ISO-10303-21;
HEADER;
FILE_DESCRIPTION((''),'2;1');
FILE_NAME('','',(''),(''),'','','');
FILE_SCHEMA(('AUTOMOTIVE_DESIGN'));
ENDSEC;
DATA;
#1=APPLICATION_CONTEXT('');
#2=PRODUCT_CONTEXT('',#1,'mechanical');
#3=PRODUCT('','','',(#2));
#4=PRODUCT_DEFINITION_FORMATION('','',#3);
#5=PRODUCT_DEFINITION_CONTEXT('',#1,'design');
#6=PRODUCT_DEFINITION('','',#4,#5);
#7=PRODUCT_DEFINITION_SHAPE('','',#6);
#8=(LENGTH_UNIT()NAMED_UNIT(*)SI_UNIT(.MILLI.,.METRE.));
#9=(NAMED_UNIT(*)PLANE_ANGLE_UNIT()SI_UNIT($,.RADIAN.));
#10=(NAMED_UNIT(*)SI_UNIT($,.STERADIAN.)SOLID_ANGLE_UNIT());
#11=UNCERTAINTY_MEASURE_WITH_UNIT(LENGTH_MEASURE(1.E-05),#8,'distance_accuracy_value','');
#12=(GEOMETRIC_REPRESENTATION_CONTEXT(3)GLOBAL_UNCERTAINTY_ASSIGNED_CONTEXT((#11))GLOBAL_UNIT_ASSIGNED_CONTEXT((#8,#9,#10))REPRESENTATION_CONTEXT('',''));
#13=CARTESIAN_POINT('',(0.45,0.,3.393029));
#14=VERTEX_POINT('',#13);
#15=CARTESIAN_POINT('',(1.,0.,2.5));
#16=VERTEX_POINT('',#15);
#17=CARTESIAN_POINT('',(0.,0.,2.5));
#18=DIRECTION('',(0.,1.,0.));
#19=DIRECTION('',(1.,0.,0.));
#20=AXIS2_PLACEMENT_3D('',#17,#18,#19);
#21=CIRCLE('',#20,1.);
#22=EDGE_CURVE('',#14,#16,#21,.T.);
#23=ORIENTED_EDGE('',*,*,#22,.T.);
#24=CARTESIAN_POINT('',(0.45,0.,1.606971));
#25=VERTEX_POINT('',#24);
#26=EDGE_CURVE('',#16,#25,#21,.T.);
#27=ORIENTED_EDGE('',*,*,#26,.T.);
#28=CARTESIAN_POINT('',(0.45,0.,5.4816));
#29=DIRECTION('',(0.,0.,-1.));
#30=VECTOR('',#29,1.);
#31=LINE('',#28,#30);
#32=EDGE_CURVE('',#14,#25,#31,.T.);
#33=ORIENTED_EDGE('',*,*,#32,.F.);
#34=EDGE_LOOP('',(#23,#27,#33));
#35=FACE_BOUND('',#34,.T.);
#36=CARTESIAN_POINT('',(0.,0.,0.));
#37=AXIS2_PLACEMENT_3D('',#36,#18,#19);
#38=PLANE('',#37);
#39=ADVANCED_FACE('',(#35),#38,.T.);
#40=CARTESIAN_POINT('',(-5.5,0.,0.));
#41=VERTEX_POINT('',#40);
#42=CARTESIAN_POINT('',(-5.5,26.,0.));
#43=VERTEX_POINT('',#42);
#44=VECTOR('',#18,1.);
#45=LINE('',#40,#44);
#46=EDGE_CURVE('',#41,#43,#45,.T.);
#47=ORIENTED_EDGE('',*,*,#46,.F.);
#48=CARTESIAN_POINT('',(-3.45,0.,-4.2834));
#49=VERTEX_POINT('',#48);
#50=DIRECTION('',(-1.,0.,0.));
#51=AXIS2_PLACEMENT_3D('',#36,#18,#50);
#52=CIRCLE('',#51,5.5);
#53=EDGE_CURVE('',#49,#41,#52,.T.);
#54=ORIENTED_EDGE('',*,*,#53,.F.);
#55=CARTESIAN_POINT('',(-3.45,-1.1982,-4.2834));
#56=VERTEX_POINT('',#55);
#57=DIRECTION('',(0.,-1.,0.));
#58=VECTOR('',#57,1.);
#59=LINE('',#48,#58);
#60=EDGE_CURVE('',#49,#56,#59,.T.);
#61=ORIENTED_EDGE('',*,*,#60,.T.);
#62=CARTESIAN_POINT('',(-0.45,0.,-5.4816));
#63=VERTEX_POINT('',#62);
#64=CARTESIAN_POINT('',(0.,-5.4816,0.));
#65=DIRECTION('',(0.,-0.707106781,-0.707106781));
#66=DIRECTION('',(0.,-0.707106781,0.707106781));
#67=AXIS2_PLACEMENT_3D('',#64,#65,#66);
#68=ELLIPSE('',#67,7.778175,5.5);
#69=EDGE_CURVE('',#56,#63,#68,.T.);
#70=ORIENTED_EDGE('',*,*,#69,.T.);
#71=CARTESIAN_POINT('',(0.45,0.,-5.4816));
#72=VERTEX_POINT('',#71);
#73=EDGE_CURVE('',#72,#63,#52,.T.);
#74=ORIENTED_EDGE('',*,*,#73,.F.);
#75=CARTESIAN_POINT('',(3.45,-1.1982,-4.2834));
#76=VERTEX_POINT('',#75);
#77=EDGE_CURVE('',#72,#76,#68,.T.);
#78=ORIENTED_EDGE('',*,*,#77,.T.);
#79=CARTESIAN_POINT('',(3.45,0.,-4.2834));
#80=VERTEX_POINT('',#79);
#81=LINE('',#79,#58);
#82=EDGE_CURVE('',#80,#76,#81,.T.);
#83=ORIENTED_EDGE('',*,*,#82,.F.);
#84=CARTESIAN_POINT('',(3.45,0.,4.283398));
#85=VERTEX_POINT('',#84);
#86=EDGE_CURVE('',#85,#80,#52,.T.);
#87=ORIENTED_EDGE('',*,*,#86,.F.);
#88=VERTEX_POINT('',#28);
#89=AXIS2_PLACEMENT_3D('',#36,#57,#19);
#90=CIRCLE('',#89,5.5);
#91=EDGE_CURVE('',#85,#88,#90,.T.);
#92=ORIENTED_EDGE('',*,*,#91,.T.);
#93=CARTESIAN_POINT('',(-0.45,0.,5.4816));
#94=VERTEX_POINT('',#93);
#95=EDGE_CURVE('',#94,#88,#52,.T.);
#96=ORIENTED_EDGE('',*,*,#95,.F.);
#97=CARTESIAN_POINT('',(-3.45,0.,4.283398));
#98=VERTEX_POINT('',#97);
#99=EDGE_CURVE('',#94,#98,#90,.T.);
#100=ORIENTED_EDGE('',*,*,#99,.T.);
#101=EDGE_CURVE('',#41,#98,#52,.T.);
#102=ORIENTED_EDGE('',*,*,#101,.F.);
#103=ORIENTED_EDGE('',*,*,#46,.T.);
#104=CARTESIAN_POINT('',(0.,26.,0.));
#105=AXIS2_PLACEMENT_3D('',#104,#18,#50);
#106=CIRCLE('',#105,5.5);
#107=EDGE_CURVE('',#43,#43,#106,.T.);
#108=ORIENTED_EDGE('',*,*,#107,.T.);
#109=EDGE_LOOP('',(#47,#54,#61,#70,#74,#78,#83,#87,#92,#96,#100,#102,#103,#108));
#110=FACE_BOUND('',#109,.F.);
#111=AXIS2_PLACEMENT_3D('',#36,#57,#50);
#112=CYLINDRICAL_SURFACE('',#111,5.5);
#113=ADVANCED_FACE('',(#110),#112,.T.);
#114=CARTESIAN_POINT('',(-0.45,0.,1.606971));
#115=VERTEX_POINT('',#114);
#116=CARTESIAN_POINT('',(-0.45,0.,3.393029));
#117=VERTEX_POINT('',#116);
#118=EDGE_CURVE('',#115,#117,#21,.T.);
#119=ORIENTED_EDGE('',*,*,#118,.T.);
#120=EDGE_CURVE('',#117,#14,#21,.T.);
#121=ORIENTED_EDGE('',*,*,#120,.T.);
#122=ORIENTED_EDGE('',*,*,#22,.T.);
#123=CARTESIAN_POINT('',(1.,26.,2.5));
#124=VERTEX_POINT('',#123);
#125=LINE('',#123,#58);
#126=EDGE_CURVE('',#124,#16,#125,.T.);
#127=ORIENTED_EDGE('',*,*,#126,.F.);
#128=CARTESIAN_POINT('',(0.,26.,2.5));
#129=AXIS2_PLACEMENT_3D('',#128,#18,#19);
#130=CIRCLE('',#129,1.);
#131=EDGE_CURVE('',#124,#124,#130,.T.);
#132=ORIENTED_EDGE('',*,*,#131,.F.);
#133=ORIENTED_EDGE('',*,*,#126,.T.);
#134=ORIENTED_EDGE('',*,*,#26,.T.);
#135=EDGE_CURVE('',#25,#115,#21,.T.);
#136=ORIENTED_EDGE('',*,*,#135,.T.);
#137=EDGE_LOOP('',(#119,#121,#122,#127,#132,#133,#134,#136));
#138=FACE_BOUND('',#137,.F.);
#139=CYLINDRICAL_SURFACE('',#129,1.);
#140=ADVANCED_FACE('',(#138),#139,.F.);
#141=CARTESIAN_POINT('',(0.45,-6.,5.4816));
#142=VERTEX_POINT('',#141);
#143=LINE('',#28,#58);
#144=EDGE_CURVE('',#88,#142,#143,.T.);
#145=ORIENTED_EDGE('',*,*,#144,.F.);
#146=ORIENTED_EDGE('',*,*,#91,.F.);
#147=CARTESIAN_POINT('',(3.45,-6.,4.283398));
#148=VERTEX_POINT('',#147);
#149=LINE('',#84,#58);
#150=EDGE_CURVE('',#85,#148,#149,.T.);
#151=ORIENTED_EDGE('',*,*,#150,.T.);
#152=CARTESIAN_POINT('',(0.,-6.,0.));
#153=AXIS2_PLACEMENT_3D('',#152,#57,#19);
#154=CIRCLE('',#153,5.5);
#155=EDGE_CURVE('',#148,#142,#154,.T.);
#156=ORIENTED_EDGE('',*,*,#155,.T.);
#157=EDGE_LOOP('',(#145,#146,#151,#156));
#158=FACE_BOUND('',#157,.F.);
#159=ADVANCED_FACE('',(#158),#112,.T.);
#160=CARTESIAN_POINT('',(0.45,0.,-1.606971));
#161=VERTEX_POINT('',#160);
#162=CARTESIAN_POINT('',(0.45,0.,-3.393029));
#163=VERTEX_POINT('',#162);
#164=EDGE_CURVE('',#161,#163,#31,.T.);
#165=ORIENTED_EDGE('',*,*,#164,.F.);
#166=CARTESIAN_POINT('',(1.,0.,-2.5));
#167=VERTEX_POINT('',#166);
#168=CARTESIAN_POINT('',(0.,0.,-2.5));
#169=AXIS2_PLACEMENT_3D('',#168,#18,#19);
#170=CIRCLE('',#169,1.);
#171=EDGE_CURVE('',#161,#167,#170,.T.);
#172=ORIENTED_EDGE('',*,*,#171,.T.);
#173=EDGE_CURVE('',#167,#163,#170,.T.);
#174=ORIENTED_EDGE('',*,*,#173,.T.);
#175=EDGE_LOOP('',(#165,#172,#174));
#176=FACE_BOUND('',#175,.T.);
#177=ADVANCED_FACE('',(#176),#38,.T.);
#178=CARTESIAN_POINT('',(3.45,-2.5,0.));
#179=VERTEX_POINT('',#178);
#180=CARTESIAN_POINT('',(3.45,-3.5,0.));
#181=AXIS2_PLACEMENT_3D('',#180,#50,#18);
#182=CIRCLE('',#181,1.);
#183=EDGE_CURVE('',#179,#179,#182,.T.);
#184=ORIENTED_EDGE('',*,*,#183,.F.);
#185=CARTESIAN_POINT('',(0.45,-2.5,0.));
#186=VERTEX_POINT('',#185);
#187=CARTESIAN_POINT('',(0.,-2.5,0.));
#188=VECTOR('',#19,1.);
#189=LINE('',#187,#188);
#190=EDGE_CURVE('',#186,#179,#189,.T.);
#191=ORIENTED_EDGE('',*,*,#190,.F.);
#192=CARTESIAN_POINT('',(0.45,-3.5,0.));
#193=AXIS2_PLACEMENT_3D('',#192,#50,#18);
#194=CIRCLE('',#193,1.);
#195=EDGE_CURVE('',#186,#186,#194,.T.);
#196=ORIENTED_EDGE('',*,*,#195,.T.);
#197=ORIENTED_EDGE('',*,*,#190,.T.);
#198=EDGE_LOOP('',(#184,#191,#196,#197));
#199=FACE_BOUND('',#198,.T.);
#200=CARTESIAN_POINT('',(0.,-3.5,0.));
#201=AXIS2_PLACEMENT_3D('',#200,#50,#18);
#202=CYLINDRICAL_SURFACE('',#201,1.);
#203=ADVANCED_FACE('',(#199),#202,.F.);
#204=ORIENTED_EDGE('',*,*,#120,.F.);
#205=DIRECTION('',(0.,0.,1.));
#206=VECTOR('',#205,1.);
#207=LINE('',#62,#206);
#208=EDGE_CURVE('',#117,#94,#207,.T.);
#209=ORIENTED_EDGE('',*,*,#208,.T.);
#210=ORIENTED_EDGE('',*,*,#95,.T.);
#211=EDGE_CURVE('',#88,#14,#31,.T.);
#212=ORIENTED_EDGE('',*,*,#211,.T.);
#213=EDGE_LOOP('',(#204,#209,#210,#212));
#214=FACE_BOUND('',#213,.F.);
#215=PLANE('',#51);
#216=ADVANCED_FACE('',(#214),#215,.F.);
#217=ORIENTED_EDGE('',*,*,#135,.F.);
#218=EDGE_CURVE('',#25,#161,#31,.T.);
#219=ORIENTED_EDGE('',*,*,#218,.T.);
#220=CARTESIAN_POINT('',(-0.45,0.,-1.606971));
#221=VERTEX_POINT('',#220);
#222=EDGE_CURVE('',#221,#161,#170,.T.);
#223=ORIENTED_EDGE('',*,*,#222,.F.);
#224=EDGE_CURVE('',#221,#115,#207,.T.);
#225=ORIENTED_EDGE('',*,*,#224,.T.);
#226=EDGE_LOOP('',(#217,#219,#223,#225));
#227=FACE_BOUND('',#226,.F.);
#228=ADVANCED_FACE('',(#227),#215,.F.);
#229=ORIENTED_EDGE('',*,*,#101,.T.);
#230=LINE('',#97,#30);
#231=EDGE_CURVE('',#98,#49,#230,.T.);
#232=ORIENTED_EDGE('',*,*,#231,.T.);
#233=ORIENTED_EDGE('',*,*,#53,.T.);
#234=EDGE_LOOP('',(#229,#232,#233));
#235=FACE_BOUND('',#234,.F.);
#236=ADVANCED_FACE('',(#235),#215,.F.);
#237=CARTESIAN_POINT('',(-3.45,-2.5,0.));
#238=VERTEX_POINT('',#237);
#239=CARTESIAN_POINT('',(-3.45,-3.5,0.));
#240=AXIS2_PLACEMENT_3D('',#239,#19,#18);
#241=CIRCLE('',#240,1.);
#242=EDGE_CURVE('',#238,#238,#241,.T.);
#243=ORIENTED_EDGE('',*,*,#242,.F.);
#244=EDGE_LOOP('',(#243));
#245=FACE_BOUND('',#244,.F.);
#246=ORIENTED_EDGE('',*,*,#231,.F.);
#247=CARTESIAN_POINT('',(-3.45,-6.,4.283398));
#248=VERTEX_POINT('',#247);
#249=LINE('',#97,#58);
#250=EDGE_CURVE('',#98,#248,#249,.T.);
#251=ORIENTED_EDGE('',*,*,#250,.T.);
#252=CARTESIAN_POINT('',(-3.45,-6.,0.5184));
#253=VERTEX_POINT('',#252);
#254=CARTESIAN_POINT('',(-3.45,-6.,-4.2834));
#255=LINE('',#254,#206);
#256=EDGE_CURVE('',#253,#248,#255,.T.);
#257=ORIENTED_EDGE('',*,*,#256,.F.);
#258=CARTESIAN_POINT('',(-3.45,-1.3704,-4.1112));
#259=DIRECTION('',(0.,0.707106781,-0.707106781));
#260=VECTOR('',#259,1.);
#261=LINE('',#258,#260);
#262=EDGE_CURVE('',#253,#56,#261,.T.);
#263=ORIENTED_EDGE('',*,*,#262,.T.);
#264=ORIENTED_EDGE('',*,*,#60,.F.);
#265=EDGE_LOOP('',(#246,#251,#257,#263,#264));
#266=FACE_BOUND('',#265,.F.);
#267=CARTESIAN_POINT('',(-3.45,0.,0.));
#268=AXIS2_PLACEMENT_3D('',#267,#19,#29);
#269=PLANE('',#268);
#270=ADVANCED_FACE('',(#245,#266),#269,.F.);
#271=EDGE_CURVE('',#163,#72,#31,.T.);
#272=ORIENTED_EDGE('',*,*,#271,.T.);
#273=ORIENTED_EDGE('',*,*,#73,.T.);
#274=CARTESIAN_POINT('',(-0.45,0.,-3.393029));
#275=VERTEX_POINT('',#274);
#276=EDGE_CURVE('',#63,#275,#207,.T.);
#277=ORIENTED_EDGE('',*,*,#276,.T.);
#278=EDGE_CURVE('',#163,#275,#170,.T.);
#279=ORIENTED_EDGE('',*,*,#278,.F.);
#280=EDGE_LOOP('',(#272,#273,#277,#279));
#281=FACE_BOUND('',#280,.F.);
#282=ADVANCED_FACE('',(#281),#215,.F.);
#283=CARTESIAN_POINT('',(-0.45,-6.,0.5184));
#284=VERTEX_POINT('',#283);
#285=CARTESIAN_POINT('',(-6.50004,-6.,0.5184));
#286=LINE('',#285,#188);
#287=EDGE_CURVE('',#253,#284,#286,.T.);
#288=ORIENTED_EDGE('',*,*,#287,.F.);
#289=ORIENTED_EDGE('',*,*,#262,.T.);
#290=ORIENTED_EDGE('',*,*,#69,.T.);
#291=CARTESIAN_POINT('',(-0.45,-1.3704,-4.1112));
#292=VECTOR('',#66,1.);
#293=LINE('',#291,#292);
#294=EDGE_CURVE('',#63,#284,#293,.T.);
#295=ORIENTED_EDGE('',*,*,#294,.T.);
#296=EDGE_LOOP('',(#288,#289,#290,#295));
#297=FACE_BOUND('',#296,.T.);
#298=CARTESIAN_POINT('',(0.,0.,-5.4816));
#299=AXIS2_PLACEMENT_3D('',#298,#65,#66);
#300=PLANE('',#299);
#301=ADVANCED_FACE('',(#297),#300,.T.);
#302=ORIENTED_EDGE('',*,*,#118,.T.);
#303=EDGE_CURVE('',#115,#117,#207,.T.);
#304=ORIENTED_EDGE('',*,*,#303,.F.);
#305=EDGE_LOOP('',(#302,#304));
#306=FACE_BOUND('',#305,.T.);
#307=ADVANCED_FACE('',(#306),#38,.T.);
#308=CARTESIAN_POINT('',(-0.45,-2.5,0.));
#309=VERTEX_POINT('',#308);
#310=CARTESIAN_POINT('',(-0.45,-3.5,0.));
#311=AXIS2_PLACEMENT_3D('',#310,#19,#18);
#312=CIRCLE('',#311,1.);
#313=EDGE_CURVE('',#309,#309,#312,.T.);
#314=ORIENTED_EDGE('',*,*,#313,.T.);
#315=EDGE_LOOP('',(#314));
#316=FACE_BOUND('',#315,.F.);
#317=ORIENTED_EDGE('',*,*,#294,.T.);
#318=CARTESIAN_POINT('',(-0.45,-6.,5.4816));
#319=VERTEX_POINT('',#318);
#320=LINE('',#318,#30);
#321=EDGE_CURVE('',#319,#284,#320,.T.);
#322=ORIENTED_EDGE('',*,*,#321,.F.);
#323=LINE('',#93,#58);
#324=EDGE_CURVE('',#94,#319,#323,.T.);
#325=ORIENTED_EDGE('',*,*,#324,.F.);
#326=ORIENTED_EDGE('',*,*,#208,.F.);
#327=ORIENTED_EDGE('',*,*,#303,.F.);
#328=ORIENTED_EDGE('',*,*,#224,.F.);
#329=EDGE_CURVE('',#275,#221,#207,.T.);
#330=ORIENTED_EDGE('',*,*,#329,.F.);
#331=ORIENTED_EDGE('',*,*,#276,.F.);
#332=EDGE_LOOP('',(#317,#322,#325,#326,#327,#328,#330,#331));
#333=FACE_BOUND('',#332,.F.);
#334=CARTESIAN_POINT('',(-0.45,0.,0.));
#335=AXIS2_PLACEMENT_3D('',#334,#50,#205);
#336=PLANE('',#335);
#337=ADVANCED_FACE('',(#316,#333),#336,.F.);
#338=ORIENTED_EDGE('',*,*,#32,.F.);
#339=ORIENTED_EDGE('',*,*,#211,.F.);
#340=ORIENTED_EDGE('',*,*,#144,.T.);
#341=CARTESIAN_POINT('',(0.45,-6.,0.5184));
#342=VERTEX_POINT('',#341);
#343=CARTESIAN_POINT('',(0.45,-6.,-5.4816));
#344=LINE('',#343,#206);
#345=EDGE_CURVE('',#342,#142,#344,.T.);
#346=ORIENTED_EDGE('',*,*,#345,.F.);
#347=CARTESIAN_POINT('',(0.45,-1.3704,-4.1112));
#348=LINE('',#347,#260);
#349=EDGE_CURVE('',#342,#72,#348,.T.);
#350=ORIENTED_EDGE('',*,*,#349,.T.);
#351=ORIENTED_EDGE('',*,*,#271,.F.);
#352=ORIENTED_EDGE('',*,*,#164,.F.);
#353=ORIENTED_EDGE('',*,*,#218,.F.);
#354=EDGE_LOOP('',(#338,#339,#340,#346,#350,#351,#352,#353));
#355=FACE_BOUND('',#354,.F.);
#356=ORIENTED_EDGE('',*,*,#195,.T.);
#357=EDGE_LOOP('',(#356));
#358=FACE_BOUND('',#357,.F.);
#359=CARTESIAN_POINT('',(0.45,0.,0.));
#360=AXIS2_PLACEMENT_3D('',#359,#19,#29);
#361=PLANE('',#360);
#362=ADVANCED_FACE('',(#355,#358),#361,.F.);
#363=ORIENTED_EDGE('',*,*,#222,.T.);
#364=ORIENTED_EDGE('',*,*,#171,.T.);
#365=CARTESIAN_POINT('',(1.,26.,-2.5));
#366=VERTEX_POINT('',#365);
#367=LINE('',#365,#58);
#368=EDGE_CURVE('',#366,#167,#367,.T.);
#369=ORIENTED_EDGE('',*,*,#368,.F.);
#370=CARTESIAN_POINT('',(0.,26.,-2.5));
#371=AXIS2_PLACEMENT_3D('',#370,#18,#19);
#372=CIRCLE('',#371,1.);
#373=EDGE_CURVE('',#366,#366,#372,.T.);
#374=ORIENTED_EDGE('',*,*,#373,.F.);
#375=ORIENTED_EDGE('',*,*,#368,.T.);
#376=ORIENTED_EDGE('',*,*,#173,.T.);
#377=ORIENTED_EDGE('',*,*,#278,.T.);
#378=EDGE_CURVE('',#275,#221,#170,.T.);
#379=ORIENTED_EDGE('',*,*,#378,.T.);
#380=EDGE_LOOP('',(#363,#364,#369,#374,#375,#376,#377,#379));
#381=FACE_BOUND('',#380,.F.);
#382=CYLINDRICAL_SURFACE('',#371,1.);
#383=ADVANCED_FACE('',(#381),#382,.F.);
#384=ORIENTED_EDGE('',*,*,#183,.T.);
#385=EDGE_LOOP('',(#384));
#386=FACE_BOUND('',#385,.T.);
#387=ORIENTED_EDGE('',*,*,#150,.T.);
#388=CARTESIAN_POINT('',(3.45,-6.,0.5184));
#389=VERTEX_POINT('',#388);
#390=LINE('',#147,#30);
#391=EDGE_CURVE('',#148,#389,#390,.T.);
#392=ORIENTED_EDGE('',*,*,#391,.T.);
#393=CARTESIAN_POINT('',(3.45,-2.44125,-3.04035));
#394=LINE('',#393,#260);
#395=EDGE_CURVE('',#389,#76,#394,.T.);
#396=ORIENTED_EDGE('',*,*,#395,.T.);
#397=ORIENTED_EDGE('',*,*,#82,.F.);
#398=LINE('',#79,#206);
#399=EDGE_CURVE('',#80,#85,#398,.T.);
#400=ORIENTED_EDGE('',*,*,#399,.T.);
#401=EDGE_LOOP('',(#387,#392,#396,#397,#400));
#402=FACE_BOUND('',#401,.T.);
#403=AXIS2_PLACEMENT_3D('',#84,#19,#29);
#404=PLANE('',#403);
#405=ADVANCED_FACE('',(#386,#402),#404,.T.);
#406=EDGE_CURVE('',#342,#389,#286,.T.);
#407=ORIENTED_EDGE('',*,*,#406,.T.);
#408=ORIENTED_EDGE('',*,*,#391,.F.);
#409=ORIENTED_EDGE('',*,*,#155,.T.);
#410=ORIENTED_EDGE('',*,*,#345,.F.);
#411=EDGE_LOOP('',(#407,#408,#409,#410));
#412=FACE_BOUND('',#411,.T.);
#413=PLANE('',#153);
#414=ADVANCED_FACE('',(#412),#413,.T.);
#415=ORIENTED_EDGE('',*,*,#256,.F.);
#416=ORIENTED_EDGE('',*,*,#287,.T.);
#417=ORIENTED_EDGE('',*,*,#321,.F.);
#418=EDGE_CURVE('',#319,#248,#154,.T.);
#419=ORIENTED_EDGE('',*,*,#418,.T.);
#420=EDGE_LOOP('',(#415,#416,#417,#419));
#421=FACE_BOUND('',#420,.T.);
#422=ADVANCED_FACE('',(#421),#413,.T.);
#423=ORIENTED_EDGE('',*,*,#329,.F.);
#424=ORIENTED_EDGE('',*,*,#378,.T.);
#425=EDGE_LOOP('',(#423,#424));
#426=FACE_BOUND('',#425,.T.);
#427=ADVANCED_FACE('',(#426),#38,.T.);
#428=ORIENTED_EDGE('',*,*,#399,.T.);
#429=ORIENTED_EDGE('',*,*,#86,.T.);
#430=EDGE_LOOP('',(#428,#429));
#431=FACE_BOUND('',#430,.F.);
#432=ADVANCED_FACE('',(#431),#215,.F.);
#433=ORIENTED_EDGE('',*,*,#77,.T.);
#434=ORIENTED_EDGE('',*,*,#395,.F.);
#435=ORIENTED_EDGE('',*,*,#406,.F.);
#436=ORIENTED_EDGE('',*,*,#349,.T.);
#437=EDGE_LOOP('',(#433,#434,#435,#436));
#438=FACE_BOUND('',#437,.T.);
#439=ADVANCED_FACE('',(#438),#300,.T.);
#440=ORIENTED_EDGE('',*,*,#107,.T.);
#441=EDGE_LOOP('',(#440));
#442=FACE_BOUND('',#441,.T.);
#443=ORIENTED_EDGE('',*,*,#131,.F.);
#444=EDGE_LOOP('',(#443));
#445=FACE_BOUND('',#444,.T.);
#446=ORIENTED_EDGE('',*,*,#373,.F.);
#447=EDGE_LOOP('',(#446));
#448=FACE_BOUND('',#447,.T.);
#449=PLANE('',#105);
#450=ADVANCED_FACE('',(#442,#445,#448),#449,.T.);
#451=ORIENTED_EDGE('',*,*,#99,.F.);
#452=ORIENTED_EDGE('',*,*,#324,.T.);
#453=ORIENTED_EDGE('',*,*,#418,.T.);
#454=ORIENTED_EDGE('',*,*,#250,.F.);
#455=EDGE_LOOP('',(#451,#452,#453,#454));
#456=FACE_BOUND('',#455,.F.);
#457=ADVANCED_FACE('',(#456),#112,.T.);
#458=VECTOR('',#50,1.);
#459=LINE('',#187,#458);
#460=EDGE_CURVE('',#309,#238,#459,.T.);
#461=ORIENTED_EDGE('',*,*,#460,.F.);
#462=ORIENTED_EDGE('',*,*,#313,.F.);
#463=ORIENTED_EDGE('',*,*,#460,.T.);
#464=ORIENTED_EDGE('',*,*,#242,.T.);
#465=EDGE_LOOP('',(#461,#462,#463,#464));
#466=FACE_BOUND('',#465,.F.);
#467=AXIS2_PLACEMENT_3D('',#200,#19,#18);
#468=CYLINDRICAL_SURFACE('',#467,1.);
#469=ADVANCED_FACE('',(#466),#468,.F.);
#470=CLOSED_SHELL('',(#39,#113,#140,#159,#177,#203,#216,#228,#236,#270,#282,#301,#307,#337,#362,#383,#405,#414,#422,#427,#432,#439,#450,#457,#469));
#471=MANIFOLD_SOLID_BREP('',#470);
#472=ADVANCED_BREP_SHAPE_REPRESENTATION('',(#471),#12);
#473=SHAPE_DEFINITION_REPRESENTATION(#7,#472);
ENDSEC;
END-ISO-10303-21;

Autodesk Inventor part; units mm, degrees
ref_plane "YZ Plane" through (0, 0, 0) normal (1, 0, 0) x (0, 1, 0)
ref_plane "XZ Plane" through (0, 0, 0) normal (0, 1, 0) x (-1, 0, 0)
ref_plane "XY Plane" through (0, 0, 0) normal (0, 0, 1) x (1, 0, 0)
sketch "Sketch1" plane through (0, 0, 0) normal (0, 1, 0) x (-1, 0, 0)
  circle A0 centre (0, 0) radius 5.5
  dimension "d0" = 11
extrude "Extrusion1" add sketch "Sketch1" along normal blind 26
sketch "Sketch6" plane through (0, 0, 0) normal (0, -1, 0) x (1, 0, 0)
  circle A0 centre (0, 0) radius 5.5 projected
  line L0 (3.45, 0) -> (3.45, -4.2834)
  line L1 (0.45, 0) -> (0.45, -5.4816)
  line L2 (3.45, -5.4816) -> (3.45, -4.2834)
  line L3 (3.45, -5.4816) -> (0.45, -5.4816)
  line L4 (0.45, 0) -> (0.45, 5.4816)
  line L5 (3.45, 5.3243) -> (3.45, 0)
  line L6 (3.45, 5.3243) -> (0.45, 5.4816)
  line L7 (0, -5.5) -> (0, 5.5)
  line L8 (-3.45, 0) -> (-3.45, -4.2834)
  line L9 (-0.45, 0) -> (-0.45, -5.4816)
  line L10 (-3.45, -5.4816) -> (-3.45, -4.2834)
  line L11 (-3.45, -5.4816) -> (-0.45, -5.4816)
  line L12 (-0.45, 0) -> (-0.45, 5.4816)
  line L13 (-3.45, 5.3243) -> (-3.45, 0)
  line L14 (-3.45, 5.3243) -> (-0.45, 5.4816)
  point P0 (-3.45, 4.2834)
  point P1 (3.45, 4.2834)
  dimension "d20" = 3
  dimension "d21" = 3
  dimension "d22" = 0.45
  dimension "d23" = 2.05
  dimension "d24" = 2.05
extrude "Extrusion5" add sketch "Sketch6" along normal blind 6 contours A0 L5 L0 L1 L4 | L12 L9 A0 L8 L13
sketch "Sketch8" plane through (0, 0, 0) normal (1, 0, 0) x (0, 1, 0)
  line L0 (0, -5.5) -> (26, -5.5) projected
  line L1 (0, -5.4816) -> (-6, -5.4816) projected
  line L2 (0, -5.4816) -> (0, 5.4816) projected
  line L3 (0, -5.4816) -> (-6, 0.5184)
  line L4 (0, -5.4816) -> (8.4853, -5.4816) construction
  line L5 (-6, -5.4816) -> (-6, 5.4816) projected
  line L6 (-6, 0.5184) -> (-6, -5.4816)
  point P0 (0, 0)
  dimension "d27" = 135
extrude "Extrusion6" cut sketch "Sketch8" along normal through all both and the other way through all
sketch "Sketch10" plane through (0, 0, 0) normal (1, 0, 0) x (0, 1, 0)
  circle A0 centre (-3.5, 0) radius 1
  line L0 (0, -5.5) -> (26, -5.5) projected
  line L1 (-6, 0.5184) -> (-6, 5.4816) projected
  point P0 (0, 0)
  dimension "d30" = 2
  dimension "d31" = 5.5
  dimension "d32" = 2.5
extrude "Extrusion7" cut sketch "Sketch10" along normal through all both and the other way through all
sketch "Sketch11" plane through (0, 26, 0) normal (0, 1, 0) x (1, 0, 0)
  circle A0 centre (0, 2.5) radius 1
  circle A1 centre (0, -2.5) radius 1
  point P0 (0, 0)
  dimension "d35" = 2
  dimension "d36" = 2
  dimension "d37" = 2.5
  dimension "d38" = 2.5
extrude "Extrusion8" cut sketch "Sketch11" against normal blind 26
properties part number "Part4 finger(pinky)"
